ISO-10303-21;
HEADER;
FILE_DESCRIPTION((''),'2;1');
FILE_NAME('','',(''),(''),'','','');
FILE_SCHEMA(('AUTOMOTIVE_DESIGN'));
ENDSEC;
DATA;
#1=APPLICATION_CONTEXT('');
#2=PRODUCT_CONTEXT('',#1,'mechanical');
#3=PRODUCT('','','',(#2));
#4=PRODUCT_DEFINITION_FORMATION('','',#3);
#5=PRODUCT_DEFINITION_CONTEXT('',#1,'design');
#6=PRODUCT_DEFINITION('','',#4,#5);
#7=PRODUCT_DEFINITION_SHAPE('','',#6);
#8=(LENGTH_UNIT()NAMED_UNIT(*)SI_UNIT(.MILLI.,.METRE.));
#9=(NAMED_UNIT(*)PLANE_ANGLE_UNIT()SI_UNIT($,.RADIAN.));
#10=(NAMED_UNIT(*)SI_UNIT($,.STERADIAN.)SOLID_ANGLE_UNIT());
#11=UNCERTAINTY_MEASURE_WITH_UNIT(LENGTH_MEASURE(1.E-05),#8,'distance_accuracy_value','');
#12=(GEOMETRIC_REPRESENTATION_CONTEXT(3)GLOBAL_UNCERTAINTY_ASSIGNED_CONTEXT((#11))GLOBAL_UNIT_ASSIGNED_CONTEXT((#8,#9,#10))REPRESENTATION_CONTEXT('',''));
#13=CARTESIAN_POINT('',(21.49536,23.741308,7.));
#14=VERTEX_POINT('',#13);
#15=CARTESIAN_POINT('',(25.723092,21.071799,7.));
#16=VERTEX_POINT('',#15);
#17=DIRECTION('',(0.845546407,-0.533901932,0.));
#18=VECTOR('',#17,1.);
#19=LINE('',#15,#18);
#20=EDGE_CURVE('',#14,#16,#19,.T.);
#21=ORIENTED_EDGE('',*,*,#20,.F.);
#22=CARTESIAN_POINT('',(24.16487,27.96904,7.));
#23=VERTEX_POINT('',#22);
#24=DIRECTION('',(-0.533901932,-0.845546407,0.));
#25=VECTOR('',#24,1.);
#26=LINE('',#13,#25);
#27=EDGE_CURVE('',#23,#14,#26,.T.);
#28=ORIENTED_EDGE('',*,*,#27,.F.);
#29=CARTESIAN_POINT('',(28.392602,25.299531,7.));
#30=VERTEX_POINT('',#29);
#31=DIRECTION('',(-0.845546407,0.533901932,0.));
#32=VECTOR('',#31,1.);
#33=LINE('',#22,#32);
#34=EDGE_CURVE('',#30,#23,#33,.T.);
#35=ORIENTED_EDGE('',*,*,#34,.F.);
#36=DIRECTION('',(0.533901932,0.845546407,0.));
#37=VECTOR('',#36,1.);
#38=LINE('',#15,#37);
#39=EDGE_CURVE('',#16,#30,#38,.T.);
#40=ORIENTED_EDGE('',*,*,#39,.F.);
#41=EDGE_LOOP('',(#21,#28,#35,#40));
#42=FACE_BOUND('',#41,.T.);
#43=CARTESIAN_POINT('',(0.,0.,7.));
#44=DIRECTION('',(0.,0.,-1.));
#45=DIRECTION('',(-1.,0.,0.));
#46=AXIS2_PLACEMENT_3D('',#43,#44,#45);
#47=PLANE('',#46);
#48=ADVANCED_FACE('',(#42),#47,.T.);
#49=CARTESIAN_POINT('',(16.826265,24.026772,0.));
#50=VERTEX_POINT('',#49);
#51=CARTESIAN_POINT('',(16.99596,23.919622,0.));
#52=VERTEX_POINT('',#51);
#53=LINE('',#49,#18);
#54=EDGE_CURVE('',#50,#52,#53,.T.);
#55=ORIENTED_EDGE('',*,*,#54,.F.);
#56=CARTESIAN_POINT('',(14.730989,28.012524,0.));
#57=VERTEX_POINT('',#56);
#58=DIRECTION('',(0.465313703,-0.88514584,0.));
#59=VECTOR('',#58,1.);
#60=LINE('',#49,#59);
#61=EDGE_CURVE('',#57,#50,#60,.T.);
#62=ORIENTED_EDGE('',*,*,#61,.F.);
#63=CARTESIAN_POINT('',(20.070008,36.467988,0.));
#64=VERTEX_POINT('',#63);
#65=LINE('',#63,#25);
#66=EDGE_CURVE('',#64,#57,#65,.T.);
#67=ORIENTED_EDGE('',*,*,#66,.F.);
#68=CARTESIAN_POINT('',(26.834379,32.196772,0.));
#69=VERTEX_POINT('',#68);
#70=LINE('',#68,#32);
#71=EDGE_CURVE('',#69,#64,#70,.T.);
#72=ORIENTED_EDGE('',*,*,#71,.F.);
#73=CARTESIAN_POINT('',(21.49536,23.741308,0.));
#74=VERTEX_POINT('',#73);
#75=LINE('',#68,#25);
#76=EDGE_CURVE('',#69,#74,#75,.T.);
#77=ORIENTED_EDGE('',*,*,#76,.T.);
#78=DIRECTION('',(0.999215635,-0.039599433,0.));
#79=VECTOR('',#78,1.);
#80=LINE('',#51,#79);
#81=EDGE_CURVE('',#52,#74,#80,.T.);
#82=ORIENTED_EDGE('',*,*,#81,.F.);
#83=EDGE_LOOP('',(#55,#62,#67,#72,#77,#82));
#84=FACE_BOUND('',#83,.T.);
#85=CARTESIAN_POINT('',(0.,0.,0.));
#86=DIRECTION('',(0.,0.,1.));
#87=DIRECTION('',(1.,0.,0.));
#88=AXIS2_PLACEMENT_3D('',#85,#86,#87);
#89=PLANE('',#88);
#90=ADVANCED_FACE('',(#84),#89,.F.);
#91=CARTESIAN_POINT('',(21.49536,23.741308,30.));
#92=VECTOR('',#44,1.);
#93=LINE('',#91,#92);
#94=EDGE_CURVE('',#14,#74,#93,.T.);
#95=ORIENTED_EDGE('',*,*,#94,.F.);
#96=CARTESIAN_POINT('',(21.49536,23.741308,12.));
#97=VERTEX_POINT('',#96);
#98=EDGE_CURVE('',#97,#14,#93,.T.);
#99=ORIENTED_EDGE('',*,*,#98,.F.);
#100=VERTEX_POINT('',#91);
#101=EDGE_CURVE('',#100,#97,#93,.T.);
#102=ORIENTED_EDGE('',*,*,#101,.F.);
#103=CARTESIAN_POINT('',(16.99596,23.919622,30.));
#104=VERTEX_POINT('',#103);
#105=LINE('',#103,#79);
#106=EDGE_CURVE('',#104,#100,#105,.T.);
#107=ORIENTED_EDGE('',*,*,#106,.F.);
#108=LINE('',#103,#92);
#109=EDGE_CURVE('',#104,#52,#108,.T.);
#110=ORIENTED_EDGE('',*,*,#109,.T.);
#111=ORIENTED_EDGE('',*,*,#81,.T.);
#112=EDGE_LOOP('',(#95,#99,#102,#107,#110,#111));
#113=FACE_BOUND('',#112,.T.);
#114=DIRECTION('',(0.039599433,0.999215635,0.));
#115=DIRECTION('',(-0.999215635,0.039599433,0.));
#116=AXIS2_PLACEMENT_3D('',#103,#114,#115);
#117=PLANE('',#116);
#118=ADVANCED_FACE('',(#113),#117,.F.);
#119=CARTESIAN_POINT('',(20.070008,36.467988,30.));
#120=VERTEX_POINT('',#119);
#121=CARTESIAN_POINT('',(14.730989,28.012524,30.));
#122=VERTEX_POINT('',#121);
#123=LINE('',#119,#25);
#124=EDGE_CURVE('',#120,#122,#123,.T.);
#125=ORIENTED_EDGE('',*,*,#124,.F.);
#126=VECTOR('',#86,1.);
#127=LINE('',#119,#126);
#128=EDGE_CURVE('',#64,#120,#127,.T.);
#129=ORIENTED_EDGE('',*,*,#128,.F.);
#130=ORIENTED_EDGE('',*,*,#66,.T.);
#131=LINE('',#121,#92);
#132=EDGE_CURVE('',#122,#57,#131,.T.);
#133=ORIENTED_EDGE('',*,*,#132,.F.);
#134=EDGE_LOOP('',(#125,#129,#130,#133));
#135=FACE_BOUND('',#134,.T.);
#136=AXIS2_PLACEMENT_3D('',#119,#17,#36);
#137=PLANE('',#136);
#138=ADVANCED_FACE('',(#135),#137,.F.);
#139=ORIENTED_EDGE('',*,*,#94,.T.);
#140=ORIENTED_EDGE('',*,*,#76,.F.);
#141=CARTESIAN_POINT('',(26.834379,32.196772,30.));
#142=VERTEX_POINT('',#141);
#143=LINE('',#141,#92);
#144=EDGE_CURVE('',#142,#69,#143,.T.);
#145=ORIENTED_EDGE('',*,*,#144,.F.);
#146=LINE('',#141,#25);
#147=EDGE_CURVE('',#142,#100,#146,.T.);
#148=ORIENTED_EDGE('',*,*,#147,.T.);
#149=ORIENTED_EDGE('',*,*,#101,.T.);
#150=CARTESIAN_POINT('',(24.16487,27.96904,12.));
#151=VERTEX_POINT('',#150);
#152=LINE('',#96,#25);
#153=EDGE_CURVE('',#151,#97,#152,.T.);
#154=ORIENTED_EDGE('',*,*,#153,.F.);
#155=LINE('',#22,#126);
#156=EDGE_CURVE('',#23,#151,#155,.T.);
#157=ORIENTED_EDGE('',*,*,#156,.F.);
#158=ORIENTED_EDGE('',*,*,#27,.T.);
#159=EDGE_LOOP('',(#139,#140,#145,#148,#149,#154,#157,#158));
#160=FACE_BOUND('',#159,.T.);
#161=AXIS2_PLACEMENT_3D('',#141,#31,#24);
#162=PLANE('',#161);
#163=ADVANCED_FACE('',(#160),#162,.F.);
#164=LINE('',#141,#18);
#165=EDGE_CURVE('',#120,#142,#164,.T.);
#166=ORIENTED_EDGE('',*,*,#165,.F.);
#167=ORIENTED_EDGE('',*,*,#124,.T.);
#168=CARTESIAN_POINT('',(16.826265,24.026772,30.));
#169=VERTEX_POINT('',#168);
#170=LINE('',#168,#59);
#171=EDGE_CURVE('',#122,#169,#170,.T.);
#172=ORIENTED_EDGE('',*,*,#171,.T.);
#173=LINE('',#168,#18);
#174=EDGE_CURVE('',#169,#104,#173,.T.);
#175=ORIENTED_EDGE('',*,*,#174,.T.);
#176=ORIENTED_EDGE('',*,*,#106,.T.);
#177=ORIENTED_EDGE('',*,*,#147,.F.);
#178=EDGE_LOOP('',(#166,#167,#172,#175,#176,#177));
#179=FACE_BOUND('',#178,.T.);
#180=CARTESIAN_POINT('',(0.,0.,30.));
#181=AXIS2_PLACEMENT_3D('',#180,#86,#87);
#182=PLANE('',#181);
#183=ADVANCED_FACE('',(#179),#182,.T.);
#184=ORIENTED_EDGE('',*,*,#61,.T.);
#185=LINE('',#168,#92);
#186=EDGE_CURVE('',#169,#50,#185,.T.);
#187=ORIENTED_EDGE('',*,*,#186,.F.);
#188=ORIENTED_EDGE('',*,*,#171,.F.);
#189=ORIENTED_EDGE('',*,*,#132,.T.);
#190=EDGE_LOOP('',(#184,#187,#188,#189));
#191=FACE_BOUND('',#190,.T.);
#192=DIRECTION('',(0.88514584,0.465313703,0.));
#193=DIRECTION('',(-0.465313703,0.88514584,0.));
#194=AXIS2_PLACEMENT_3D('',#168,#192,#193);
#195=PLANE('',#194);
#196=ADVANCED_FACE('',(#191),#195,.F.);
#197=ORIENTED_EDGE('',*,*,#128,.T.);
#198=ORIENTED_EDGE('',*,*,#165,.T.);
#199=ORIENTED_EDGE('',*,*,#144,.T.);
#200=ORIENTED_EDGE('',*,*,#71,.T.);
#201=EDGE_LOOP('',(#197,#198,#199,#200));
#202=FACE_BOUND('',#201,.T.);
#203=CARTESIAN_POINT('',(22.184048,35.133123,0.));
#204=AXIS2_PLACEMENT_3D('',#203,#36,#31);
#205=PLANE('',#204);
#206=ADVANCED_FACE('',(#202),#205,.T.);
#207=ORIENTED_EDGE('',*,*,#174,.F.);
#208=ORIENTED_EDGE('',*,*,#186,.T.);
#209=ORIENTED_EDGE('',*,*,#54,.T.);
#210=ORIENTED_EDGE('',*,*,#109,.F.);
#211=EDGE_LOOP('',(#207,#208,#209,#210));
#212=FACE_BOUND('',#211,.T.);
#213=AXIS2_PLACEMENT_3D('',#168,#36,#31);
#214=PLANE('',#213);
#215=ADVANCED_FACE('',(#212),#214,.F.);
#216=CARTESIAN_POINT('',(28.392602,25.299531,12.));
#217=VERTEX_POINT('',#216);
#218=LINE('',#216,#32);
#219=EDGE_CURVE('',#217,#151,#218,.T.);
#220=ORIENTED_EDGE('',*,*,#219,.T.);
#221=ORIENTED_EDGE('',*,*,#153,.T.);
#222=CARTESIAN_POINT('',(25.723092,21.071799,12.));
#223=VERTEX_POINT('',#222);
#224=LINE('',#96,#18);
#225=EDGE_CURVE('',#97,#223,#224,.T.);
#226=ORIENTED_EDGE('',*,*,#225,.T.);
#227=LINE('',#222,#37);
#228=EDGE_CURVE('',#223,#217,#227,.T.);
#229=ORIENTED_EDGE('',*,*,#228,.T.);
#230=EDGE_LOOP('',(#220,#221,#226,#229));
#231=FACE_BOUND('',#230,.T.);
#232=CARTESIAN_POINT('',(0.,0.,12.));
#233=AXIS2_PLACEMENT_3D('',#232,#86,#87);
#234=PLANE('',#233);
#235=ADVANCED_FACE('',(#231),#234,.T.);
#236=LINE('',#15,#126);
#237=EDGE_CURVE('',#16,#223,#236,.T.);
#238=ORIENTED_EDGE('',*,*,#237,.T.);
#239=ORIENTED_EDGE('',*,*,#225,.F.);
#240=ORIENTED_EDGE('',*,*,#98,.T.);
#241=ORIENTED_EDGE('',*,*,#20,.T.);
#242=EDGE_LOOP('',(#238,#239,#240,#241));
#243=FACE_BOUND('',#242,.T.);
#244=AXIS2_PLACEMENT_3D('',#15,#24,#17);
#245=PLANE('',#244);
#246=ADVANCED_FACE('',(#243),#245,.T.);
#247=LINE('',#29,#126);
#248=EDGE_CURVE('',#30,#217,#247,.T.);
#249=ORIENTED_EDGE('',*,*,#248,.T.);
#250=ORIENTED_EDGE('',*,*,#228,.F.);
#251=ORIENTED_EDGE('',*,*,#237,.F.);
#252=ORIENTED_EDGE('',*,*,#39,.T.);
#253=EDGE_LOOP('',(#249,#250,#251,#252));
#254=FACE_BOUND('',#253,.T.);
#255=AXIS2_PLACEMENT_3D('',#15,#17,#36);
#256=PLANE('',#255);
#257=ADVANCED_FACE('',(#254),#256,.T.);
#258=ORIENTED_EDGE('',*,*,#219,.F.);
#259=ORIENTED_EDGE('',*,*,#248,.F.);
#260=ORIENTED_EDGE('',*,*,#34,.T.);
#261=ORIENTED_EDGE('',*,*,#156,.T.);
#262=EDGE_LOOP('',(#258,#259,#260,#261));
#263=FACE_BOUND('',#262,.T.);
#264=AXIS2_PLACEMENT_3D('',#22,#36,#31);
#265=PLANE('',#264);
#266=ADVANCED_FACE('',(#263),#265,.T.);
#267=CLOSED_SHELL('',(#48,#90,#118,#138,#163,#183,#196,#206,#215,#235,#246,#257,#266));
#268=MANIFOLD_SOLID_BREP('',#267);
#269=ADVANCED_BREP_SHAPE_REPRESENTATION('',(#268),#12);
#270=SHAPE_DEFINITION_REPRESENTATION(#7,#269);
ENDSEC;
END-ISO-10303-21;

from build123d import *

# Parameters (mm, degrees)
BOSS_EXTRUDE2_DEPTH = 30
SKETCH3_W           = 8
SKETCH3_H           = 30
BOSS_EXTRUDE3_DEPTH = 10
BOSS_EXTRUDE4_DEPTH = 23
CUT_EXTRUDE1_DEPTH  = 18


with BuildPart() as part:
    # Sketch2 → Boss-Extrude2 (new body)
    with BuildSketch(Plane.XY):
        Polygon((16.826264571, 24.026772498), (14.730988717, 28.012523819), (21.495359976, 23.741308364), (16.995960151, 23.919621906), align=None)
    extrude(amount=BOSS_EXTRUDE2_DEPTH)

    # Sketch3 → Boss-Extrude3 (add)
    with BuildSketch(Plane(origin=(16.845028917, 26.677659006, 0), x_dir=(0.845546407, -0.533901932, 0), z_dir=(0.533901932, 0.845546407, 0))):
        with Locations((1.499794001, -15)):
            Rectangle(SKETCH3_W, SKETCH3_H)
    extrude(amount=BOSS_EXTRUDE3_DEPTH)

    # Sketch5 → Boss-Extrude4 (add)
    with BuildSketch(Plane.XY.offset(30)):
        Polygon((24.164869635, 27.969040401), (28.392601672, 25.299530741), (25.723092013, 21.071798704), (21.495359976, 23.741308364), align=None)
    extrude(amount=-BOSS_EXTRUDE4_DEPTH)

    # Sketch6 → Cut-Extrude1 (cut)
    with BuildSketch(Plane.XY.offset(30)):
        Polygon((21.495359976, 23.741308364), (24.164869635, 27.969040401), (28.392601672, 25.299530741), (25.723092013, 21.071798704), align=None)
    extrude(amount=-CUT_EXTRUDE1_DEPTH, mode=Mode.SUBTRACT)


solid = part.part
